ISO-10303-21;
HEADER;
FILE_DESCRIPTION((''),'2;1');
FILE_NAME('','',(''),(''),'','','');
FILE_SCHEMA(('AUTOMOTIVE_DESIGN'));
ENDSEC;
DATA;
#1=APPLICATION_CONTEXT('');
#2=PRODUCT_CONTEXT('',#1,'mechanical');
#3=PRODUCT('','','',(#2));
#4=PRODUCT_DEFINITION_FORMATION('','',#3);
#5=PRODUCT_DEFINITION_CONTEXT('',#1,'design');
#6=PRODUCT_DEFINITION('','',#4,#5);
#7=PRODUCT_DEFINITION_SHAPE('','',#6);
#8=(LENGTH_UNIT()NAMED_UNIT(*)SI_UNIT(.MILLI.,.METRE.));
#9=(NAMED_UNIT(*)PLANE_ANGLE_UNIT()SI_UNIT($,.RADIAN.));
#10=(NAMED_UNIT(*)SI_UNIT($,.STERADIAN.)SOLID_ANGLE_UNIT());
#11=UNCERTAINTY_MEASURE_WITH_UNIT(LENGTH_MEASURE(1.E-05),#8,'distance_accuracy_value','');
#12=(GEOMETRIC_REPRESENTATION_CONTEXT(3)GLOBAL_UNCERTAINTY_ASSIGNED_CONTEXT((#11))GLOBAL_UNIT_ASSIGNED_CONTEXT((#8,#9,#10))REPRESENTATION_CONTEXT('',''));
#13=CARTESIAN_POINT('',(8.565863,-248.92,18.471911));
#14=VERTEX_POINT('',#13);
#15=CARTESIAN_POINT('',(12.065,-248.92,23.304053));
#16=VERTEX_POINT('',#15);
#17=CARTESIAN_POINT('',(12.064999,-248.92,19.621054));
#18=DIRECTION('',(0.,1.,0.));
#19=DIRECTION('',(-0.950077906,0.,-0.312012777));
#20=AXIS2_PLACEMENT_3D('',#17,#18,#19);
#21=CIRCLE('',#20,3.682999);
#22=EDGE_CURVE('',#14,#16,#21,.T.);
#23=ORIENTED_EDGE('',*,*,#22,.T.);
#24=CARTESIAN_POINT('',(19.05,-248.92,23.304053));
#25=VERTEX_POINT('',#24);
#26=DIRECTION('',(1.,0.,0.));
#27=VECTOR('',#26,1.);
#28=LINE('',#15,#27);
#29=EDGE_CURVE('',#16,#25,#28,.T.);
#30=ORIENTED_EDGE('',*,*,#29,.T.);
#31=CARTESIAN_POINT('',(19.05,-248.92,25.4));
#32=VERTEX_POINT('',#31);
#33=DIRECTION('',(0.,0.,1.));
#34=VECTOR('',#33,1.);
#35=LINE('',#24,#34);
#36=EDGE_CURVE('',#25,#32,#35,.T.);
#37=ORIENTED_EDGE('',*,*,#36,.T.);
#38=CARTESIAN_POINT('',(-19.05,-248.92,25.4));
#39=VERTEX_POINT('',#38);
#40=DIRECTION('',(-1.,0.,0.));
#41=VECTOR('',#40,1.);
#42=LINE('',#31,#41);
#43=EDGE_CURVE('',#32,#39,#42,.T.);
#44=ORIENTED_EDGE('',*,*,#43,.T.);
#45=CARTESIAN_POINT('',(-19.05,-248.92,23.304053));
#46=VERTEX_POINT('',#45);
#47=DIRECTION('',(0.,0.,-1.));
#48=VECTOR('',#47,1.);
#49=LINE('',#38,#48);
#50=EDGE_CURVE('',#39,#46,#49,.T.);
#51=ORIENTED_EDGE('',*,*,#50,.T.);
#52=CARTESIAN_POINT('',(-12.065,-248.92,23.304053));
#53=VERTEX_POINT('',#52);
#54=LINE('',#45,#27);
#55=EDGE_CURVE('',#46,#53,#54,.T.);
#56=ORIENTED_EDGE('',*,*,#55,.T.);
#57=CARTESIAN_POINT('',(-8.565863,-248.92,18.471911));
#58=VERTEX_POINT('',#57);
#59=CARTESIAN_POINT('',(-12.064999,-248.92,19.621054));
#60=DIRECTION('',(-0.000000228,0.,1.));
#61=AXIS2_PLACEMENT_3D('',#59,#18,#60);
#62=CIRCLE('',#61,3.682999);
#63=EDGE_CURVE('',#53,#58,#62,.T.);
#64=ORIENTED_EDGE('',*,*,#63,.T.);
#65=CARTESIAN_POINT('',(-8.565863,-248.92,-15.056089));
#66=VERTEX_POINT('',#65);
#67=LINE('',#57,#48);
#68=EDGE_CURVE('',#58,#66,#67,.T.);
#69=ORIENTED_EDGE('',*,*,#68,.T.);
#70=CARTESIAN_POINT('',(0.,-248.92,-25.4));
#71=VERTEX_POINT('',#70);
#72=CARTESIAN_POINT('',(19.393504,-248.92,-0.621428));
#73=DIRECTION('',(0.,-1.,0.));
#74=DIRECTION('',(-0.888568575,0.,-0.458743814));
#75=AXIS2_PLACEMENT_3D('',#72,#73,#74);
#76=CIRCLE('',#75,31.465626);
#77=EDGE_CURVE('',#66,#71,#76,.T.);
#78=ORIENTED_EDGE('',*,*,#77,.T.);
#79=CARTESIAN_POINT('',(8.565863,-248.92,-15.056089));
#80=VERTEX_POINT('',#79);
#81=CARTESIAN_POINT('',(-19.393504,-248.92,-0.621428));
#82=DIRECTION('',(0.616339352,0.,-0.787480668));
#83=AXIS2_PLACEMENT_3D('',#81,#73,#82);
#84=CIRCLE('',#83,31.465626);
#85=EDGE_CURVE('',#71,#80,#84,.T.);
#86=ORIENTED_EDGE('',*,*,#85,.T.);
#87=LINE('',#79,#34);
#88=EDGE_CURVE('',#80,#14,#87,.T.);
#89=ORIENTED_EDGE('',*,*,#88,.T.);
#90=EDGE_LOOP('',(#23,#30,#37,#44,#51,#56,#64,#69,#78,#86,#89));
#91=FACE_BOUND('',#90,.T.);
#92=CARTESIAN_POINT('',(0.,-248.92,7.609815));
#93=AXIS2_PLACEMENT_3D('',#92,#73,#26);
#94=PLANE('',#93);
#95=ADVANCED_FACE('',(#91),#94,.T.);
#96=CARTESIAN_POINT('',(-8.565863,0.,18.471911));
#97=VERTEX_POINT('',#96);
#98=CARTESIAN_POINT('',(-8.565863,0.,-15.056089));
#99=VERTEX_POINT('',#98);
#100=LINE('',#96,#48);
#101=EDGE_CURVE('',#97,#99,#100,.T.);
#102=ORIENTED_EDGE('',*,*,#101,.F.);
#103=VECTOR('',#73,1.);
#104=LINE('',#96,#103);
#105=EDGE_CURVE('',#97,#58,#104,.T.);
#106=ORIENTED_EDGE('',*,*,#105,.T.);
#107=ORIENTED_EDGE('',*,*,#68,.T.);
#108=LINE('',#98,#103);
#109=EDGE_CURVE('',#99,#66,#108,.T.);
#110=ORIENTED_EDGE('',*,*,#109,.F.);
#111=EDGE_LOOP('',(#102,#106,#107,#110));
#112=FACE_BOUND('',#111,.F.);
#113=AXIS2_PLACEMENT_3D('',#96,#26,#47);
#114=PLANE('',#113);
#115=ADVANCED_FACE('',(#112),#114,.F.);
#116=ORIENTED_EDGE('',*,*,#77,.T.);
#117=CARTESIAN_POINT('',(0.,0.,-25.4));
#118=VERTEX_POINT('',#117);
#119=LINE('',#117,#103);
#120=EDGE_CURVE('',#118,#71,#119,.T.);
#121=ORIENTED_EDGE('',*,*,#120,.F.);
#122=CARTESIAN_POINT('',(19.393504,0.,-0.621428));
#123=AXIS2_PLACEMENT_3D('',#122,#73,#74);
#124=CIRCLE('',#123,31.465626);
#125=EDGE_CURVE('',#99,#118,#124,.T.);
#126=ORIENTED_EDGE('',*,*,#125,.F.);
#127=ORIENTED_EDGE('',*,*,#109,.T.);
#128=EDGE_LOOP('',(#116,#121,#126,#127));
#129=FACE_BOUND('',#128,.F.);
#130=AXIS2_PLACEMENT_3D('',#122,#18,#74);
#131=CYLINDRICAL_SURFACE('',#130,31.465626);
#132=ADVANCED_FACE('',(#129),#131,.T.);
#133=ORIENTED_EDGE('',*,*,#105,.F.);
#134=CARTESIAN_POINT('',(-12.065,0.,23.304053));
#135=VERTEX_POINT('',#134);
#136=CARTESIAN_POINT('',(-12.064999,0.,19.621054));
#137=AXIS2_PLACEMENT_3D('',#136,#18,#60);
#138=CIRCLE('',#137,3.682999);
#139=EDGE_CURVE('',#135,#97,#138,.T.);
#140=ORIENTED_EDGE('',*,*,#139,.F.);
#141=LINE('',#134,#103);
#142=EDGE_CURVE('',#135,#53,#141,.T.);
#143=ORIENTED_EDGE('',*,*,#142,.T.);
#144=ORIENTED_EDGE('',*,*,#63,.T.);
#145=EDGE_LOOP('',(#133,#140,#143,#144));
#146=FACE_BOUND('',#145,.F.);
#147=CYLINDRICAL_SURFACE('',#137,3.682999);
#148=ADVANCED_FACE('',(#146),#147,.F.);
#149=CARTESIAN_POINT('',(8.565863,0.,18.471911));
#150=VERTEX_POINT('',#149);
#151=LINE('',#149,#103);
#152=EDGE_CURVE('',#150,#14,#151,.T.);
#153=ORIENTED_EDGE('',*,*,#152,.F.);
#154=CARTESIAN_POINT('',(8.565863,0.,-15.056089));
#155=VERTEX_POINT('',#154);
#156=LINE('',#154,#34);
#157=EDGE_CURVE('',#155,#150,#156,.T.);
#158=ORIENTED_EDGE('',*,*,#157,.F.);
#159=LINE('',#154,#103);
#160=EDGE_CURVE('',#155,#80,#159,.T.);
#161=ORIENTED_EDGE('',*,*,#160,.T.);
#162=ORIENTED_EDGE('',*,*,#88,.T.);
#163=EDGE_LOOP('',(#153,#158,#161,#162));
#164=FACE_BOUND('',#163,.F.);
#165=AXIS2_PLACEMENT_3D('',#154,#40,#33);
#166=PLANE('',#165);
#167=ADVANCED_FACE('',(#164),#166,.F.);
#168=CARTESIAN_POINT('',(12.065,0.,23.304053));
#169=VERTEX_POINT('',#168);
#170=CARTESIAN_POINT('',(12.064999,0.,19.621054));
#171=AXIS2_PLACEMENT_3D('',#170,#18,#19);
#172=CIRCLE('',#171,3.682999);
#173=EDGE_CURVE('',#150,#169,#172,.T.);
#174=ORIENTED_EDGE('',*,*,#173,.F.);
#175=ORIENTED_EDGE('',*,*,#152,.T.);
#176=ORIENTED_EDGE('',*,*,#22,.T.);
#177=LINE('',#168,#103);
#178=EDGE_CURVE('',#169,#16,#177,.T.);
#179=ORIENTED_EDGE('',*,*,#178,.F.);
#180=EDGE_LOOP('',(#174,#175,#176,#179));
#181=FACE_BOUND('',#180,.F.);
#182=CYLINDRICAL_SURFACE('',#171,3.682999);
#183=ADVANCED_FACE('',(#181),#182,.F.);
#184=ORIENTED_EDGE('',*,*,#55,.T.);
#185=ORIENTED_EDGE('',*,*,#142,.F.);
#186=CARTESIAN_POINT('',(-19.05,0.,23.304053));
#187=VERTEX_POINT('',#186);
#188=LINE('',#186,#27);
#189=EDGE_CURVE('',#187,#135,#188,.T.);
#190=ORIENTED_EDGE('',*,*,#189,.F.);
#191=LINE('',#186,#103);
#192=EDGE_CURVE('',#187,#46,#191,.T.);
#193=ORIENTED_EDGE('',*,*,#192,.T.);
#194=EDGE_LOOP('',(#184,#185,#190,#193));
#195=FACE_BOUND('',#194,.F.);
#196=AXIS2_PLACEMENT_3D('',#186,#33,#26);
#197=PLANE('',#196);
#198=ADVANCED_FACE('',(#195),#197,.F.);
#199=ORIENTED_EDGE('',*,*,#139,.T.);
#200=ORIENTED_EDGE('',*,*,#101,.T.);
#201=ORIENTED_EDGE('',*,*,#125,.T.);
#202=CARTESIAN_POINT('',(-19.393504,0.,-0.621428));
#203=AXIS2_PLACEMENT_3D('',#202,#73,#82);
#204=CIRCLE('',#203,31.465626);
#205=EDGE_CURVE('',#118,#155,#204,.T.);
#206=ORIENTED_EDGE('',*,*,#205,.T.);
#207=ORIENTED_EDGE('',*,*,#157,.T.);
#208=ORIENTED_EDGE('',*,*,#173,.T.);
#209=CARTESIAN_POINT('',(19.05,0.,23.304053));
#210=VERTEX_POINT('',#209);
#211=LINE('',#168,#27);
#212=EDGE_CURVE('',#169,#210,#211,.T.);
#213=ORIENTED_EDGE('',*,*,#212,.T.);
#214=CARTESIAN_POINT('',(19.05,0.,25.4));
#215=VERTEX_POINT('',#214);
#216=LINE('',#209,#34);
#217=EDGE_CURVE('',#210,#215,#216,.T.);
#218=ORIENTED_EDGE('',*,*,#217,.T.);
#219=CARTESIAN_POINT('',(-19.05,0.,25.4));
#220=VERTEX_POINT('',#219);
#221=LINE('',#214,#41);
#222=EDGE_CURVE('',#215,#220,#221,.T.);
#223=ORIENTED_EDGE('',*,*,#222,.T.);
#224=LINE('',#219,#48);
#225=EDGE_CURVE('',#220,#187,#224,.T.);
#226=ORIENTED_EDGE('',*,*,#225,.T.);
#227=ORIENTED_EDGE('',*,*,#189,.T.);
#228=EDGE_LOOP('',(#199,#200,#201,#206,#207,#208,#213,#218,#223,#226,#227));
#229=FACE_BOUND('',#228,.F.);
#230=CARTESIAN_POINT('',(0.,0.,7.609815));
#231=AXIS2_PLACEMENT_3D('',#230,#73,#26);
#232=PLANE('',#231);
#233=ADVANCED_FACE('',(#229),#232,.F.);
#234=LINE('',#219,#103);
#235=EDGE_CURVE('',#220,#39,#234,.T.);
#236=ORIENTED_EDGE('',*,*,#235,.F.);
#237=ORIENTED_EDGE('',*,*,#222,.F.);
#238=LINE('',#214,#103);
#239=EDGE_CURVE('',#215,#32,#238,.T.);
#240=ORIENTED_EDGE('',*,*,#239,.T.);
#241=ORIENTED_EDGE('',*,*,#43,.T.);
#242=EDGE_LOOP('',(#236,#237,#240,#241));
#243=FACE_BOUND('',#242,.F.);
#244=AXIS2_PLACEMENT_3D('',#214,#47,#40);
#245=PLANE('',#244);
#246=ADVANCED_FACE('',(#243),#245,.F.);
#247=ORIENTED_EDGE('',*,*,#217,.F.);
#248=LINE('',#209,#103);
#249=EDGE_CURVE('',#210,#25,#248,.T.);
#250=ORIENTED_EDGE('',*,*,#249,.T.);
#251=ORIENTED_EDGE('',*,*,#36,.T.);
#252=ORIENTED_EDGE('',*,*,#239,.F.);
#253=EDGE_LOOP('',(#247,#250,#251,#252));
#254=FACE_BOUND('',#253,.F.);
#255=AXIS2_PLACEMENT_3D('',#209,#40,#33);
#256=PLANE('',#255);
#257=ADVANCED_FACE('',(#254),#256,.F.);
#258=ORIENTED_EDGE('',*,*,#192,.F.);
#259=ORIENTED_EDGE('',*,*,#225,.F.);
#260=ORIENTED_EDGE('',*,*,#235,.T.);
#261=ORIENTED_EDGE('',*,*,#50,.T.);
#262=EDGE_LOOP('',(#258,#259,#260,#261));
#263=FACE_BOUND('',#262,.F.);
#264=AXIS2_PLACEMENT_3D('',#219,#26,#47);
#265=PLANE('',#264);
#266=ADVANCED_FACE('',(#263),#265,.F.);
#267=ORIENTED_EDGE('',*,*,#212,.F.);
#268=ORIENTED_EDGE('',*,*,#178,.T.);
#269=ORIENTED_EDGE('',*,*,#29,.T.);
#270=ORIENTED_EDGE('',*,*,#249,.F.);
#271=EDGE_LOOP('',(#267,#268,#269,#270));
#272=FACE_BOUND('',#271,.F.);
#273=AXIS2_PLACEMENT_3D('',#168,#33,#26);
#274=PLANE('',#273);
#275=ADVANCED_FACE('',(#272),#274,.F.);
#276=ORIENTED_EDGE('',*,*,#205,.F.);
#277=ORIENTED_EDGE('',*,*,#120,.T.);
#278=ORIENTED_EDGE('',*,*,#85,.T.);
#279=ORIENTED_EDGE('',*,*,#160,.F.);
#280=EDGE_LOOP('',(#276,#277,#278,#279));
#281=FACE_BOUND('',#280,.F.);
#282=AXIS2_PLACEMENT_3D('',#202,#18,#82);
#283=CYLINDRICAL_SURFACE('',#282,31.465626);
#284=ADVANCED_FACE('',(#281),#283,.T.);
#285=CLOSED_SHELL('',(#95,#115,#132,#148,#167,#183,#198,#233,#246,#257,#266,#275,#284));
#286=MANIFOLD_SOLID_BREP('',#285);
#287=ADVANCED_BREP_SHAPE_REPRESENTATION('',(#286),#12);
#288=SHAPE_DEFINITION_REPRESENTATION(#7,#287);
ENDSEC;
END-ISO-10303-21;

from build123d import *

# Parameters (mm, degrees)
F1_DEPTH = 248.92


with BuildPart() as f1:
    # F0 (on Front) → F1 (new body)
    with BuildSketch(Plane.XZ):
        with BuildLine():
            Line((19.05, 25.4), (-19.05, 25.4))
            Line((-19.05, 25.4), (-19.05, 23.304053))
            Line((-19.05, 23.304053), (-12.065, 23.304053))
            ThreePointArc((-12.065, 23.304053), (-9.081983, 21.781169), (-8.565863, 18.471911))
            Line((-8.565863, 18.471911), (-8.565863, -15.056089))
            ThreePointArc((-8.565863, -15.056089), (-4.841238, -20.690382), (0, -25.4))
            ThreePointArc((0, -25.4), (4.841238, -20.690382), (8.565863, -15.056089))
            Line((8.565863, -15.056089), (8.565863, 18.471911))
            ThreePointArc((8.565863, 18.471911), (9.081983, 21.781169), (12.065, 23.304053))
            Line((12.065, 23.304053), (19.05, 23.304053))
            Line((19.05, 23.304053), (19.05, 25.4))
        make_face()
    extrude(amount=F1_DEPTH)


solid = f1.part
